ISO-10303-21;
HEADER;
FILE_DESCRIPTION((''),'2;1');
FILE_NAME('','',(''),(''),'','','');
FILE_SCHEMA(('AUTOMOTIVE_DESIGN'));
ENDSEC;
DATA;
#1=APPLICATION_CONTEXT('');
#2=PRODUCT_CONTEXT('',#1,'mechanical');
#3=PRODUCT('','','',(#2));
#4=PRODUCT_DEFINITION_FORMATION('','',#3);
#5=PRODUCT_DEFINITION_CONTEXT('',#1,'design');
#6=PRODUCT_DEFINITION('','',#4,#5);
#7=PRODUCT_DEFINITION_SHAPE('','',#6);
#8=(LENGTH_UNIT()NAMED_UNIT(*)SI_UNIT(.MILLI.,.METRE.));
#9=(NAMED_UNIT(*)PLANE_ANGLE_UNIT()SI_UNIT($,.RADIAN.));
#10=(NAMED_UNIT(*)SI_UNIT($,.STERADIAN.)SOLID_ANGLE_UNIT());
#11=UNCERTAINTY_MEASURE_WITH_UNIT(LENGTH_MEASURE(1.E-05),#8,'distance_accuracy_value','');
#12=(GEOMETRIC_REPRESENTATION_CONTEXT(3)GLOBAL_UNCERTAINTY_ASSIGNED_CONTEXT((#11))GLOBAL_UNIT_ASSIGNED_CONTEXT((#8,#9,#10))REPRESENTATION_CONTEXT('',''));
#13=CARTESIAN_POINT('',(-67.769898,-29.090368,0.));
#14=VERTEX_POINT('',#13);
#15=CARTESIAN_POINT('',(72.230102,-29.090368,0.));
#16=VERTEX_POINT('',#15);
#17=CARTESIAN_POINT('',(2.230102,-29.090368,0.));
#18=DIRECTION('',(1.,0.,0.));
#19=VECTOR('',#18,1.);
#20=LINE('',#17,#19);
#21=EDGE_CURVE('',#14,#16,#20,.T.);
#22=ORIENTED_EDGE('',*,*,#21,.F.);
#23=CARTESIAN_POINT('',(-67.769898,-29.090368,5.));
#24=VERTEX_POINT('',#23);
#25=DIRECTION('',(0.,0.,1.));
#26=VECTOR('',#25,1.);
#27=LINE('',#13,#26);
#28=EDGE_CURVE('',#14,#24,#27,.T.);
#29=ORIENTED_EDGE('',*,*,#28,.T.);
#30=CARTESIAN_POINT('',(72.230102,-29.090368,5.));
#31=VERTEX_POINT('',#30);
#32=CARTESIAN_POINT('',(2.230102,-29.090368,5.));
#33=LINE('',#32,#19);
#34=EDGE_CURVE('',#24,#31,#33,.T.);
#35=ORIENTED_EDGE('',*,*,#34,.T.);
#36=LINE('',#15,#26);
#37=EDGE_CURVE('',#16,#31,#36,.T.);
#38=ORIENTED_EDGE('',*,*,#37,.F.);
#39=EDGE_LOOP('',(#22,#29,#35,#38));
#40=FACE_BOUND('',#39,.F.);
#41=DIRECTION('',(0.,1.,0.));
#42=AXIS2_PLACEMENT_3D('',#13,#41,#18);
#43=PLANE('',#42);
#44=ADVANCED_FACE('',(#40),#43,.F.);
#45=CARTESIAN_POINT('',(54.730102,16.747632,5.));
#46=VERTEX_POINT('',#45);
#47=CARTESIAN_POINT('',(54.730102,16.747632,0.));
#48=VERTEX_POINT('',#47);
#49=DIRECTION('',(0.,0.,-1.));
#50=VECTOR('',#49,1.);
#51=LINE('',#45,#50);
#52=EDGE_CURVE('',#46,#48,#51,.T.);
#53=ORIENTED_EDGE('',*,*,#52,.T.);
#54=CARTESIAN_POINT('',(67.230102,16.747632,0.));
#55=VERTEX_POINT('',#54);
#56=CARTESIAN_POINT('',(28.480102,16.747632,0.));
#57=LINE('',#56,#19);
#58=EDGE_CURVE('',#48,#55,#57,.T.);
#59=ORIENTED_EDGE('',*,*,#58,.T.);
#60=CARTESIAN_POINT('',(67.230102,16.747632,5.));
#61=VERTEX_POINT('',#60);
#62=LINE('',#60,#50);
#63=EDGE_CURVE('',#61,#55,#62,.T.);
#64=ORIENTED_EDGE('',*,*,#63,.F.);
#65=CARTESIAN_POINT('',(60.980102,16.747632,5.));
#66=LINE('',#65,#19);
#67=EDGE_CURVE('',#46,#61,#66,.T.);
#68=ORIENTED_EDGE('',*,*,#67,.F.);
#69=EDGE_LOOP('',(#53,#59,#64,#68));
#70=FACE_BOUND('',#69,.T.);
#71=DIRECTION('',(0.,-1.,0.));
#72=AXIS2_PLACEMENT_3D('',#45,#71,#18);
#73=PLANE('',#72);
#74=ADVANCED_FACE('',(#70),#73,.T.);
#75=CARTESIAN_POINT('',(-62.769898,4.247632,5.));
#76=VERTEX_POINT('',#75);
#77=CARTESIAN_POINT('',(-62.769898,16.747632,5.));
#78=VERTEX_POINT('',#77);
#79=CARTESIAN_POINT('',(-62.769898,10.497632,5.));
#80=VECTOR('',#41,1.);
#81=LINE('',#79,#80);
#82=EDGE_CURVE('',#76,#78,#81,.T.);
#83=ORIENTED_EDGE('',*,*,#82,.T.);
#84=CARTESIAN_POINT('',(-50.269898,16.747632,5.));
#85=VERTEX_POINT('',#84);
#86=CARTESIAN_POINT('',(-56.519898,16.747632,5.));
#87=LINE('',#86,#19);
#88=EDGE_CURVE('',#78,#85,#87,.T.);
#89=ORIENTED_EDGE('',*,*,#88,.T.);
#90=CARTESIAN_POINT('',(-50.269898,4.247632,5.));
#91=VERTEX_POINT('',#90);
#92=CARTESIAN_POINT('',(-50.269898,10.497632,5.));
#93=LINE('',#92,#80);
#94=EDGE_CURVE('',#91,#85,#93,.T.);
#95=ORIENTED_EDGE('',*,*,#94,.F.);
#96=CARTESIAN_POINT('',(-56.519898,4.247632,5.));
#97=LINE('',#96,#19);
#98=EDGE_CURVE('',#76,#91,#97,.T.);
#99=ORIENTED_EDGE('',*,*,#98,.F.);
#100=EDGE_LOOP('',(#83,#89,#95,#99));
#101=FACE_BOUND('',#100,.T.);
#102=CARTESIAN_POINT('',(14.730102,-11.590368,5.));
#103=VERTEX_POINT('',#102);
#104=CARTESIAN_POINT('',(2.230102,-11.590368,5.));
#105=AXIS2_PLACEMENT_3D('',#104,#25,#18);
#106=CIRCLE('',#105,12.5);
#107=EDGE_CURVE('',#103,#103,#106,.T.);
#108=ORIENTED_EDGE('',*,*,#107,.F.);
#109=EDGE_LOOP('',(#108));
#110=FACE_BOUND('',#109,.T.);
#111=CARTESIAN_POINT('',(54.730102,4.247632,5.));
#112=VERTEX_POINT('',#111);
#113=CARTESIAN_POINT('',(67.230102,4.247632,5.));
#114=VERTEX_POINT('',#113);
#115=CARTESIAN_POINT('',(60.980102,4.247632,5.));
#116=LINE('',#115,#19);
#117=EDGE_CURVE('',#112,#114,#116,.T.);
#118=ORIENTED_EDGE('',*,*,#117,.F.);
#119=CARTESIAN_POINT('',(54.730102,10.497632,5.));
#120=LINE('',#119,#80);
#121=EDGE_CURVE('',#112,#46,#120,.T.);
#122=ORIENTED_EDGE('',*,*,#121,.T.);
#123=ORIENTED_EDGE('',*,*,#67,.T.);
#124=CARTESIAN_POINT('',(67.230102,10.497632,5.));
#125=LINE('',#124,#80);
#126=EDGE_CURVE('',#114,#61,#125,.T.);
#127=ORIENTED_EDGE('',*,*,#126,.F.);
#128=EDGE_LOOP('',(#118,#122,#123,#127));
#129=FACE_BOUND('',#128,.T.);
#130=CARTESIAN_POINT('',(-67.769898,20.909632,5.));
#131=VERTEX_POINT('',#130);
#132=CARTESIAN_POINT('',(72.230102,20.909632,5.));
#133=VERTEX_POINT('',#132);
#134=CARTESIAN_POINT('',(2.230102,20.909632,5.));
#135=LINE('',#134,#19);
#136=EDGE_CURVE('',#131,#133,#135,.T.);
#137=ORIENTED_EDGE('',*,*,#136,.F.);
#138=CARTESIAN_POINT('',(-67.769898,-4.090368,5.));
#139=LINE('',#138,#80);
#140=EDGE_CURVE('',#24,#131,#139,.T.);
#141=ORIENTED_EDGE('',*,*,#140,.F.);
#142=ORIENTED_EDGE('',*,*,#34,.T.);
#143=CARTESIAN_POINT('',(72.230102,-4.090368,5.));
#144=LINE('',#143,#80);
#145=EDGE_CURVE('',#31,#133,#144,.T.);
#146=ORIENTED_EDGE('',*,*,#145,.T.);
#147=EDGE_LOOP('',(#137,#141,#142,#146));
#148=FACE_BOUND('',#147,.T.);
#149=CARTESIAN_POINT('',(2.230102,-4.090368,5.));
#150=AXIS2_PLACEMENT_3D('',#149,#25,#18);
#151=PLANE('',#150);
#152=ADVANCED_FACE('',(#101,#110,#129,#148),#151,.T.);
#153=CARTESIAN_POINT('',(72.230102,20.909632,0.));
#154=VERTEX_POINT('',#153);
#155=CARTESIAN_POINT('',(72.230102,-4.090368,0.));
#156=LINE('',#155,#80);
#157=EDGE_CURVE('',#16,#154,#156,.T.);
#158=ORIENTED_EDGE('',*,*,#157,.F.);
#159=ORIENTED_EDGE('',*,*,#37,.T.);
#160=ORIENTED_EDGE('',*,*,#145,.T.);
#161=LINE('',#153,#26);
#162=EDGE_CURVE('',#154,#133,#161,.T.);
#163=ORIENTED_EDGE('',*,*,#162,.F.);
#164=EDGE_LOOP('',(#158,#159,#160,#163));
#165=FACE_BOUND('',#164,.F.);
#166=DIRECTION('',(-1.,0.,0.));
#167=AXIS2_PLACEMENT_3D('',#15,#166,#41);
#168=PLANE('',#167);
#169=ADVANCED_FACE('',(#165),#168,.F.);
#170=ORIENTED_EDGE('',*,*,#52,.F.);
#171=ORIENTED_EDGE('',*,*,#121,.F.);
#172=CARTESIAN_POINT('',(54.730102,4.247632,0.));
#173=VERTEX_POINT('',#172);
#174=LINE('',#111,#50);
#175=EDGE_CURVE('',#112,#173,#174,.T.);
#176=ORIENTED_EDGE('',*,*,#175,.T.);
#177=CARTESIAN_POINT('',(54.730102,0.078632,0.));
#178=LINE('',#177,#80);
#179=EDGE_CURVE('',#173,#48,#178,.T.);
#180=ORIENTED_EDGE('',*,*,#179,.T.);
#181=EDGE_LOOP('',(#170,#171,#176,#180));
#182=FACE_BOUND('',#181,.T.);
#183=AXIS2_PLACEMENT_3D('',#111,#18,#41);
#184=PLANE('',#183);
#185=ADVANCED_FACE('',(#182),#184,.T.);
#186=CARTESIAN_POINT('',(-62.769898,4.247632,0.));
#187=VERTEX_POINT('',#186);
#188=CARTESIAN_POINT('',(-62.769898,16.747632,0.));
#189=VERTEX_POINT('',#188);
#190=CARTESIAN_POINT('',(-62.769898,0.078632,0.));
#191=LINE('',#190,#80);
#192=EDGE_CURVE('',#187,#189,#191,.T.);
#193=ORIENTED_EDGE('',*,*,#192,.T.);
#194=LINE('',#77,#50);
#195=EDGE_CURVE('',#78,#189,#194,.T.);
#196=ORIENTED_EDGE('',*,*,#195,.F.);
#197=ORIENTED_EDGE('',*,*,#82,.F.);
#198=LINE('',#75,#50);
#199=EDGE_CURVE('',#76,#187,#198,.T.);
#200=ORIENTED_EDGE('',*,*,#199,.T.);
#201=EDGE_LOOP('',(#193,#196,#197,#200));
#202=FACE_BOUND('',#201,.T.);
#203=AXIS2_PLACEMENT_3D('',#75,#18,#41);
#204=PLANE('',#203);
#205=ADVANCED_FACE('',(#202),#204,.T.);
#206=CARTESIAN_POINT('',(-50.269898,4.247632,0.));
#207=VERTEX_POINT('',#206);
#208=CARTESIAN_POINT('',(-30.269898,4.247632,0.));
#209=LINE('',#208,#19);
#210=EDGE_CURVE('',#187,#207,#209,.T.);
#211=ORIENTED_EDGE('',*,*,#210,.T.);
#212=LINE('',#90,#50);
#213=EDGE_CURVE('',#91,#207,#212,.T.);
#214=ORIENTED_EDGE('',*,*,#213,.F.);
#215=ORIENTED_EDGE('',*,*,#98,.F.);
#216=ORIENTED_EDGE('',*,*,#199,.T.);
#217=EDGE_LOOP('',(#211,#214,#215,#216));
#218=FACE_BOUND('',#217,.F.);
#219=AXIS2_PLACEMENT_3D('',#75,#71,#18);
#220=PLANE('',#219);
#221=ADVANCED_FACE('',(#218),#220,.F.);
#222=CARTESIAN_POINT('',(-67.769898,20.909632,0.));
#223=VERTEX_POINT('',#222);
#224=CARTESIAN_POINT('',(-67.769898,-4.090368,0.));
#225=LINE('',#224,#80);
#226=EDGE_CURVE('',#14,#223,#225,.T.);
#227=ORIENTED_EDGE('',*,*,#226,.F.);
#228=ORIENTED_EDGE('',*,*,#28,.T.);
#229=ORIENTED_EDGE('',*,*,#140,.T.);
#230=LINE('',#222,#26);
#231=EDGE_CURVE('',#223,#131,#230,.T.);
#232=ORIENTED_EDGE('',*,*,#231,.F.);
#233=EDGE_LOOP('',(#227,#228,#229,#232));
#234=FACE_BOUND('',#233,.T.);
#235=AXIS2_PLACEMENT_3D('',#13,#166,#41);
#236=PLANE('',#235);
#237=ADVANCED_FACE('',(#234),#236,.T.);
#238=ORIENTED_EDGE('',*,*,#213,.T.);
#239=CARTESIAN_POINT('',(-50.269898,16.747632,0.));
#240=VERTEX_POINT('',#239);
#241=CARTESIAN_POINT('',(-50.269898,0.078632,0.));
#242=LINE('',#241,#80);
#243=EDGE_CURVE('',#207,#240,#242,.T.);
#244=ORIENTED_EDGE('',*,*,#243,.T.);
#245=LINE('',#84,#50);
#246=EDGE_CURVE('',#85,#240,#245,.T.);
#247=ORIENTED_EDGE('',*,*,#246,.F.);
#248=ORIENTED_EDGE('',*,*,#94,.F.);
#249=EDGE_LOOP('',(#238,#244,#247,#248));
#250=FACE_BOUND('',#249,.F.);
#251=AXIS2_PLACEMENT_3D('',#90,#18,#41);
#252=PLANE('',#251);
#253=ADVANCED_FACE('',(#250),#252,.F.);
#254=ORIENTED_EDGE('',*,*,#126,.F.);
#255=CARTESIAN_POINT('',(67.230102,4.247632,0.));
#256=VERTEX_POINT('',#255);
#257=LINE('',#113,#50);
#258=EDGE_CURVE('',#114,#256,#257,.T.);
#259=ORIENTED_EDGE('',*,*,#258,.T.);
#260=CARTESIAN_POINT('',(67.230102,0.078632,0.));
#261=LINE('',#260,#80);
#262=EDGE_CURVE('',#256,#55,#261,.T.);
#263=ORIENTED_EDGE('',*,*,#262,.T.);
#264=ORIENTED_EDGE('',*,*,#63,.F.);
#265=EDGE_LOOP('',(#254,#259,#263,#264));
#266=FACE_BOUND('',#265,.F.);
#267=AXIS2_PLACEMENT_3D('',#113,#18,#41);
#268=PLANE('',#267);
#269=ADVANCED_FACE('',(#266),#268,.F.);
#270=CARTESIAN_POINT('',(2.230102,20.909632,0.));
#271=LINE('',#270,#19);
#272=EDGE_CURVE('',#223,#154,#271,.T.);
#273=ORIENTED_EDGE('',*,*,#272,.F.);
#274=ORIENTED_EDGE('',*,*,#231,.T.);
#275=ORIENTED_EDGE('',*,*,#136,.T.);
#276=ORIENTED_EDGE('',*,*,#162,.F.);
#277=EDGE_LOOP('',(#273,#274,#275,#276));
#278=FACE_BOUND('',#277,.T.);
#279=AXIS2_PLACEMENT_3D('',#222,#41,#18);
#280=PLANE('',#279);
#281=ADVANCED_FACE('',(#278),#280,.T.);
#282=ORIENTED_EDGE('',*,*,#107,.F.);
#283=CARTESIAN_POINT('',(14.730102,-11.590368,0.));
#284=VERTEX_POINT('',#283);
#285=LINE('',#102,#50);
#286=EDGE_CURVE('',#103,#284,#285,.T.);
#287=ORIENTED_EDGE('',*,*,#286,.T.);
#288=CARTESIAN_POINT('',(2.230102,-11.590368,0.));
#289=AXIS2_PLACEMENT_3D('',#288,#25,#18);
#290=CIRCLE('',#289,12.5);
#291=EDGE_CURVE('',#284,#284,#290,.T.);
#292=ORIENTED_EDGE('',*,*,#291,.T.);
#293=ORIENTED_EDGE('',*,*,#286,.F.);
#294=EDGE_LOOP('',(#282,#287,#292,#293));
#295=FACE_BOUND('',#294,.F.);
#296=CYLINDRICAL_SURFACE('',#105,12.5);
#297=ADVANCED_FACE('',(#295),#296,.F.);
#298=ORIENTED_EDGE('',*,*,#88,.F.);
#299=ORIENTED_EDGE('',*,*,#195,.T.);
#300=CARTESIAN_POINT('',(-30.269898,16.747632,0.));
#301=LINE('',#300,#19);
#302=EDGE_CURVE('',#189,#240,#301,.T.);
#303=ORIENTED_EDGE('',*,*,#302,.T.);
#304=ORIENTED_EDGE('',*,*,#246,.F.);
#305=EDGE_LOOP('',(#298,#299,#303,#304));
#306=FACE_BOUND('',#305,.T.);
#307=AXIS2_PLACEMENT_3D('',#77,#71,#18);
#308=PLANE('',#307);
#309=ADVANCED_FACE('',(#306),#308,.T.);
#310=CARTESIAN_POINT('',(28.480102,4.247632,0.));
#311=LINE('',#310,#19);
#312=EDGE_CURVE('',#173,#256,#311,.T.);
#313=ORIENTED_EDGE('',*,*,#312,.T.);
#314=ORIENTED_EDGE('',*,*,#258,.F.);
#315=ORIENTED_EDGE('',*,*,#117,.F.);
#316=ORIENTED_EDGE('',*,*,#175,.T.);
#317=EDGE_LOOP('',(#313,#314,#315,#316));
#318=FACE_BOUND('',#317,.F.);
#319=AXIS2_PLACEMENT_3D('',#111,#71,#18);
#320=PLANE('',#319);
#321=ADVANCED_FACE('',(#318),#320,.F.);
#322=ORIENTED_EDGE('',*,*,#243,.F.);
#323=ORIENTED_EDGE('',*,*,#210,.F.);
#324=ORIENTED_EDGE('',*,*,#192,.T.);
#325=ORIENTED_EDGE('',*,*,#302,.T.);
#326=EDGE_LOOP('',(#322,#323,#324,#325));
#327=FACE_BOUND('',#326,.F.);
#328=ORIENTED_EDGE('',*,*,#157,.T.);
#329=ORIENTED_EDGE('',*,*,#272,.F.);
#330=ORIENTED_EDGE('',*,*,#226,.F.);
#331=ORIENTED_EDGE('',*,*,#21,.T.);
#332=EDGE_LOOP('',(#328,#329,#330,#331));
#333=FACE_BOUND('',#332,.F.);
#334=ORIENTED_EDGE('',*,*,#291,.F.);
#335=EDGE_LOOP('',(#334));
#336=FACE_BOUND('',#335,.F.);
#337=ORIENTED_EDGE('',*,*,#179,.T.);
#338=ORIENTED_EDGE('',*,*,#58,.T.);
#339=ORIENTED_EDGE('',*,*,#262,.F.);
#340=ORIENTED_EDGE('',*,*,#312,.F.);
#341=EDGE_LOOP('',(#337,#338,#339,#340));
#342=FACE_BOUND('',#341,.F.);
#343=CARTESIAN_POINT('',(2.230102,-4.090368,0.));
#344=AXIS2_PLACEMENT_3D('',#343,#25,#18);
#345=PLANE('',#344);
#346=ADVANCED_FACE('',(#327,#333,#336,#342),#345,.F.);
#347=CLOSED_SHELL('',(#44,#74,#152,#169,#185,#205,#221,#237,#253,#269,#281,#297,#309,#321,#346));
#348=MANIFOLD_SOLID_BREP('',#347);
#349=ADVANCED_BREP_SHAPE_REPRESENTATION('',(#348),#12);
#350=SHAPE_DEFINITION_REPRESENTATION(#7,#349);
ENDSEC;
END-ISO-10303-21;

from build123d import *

# Parameters (mm, degrees)
F0_W     = 140
F0_H     = 50
F1_DEPTH = 5
F2_W     = 12.5
F2_H     = 12.5
F3_DEPTH = 25
F4_R     = 12.5
F5_DEPTH = 25


with BuildPart() as f1:
    # F0 (on Top) → F1 (new body)
    with BuildSketch(Plane.XY):
        with Locations((2.230102, -4.090368)):
            Rectangle(F0_W, F0_H)
    extrude(amount=F1_DEPTH)

    # F2 (on face) → F3 (cut)
    with BuildSketch(Plane.XY.offset(5)):
        with Locations((-56.519898, 10.497632)):
            Rectangle(F2_W, F2_H)
        with Locations((60.980102, 10.497632)):
            Rectangle(F2_W, F2_H)
    extrude(amount=-F3_DEPTH, mode=Mode.SUBTRACT)

    # F4 (on face) → F5 (cut)
    with BuildSketch(Plane.XY.offset(5)):
        with Locations((2.230102, -11.590368)):
            Circle(F4_R)
    extrude(amount=-F5_DEPTH, mode=Mode.SUBTRACT)


solid = f1.part
